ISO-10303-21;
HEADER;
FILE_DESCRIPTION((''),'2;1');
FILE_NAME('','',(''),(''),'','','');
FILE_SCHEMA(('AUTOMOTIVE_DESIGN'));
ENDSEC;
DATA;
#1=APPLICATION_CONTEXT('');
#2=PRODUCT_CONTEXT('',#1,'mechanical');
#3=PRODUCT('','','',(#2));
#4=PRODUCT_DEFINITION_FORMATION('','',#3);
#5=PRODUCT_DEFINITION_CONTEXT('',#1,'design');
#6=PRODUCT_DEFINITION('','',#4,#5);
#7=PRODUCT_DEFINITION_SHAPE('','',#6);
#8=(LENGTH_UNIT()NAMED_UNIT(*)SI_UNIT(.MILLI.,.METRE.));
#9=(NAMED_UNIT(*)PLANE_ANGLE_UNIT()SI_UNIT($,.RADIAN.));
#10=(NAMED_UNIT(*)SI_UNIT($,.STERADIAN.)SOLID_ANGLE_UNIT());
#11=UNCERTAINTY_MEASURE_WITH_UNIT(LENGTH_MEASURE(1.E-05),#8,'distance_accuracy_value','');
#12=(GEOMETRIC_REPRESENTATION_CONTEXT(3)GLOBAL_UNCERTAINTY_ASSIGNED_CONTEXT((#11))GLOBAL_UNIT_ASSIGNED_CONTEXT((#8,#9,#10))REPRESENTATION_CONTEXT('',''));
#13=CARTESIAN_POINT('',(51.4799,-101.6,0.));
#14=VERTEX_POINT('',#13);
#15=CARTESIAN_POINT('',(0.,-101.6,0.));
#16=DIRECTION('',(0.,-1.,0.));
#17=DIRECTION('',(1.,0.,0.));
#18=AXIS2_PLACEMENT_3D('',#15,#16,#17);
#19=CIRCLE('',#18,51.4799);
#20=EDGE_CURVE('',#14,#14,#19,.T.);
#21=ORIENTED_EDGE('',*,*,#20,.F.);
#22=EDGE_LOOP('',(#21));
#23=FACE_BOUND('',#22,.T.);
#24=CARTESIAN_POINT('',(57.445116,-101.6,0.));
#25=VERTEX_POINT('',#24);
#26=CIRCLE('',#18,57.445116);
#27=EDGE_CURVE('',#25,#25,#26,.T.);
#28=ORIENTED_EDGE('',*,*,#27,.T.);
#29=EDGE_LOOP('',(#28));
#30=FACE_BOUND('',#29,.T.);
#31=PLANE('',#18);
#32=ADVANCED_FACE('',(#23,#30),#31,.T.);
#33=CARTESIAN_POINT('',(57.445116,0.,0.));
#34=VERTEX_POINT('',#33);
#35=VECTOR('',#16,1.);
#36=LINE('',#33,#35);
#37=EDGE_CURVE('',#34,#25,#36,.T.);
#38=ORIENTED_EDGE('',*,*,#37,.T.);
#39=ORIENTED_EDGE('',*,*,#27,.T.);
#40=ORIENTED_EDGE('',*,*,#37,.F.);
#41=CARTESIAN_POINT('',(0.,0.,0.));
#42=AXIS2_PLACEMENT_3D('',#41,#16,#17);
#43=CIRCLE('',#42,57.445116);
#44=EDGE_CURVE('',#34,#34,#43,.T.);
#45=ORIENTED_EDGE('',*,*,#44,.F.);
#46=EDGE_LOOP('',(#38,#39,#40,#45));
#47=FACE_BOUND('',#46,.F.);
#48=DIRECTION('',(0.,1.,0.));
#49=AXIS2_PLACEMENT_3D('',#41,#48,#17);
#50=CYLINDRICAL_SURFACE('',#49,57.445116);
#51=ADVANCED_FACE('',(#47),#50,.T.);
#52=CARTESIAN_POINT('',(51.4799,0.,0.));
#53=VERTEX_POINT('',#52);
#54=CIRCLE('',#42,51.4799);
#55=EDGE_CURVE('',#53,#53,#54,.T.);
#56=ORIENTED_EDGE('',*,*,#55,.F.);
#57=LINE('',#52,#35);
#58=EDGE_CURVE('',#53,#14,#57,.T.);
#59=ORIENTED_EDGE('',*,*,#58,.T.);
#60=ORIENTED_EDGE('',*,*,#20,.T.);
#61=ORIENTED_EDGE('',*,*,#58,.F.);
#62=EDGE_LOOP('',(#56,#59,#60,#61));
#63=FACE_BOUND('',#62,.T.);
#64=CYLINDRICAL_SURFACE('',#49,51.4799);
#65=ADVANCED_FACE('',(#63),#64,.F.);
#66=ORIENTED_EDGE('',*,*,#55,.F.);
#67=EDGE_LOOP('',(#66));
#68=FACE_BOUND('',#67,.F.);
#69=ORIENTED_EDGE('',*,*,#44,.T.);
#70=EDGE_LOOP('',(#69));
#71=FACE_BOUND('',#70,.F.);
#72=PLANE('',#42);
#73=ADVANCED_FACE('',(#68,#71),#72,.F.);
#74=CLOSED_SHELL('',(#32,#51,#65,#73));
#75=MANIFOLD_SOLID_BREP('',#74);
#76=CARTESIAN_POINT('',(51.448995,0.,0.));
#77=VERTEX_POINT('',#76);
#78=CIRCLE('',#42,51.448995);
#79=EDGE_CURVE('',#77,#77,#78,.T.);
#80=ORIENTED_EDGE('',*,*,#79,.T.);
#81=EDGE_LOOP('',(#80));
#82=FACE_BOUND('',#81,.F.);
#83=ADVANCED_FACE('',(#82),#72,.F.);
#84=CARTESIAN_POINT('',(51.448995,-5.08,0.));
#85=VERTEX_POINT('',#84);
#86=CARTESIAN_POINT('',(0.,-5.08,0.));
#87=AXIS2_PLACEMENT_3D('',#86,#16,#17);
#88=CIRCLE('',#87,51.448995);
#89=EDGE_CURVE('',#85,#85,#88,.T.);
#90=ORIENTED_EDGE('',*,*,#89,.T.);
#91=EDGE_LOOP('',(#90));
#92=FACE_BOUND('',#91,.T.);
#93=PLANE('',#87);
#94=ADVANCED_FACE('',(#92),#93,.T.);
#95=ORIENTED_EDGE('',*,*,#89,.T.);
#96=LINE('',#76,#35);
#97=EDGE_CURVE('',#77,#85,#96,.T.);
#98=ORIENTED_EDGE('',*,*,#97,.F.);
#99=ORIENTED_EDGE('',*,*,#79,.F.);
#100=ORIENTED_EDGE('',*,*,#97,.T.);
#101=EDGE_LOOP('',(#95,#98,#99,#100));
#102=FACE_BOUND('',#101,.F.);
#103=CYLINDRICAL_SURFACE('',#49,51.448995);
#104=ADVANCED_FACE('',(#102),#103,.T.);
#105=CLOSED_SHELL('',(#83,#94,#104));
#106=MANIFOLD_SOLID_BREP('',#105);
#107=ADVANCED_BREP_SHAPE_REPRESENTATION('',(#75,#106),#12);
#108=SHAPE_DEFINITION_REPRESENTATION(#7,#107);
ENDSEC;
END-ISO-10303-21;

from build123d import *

# Parameters (mm, degrees)
F0_R     = 57.445116
F0_R_2   = 51.4799
F1_DEPTH = 101.6
F2_R     = 51.448995
F3_DEPTH = 5.08


with BuildPart() as f1:
    # F0 (on Front) → F1 (new body)
    with BuildSketch(Plane.XZ):
        Circle(F0_R)
        Circle(F0_R_2, mode=Mode.SUBTRACT)
    extrude(amount=F1_DEPTH)


with BuildPart() as f3:
    # F2 (on face) → F3 (new body)
    with BuildSketch(Plane.XZ):
        Circle(F2_R)
    extrude(amount=F3_DEPTH)


solid = Compound([f1.part, f3.part])
